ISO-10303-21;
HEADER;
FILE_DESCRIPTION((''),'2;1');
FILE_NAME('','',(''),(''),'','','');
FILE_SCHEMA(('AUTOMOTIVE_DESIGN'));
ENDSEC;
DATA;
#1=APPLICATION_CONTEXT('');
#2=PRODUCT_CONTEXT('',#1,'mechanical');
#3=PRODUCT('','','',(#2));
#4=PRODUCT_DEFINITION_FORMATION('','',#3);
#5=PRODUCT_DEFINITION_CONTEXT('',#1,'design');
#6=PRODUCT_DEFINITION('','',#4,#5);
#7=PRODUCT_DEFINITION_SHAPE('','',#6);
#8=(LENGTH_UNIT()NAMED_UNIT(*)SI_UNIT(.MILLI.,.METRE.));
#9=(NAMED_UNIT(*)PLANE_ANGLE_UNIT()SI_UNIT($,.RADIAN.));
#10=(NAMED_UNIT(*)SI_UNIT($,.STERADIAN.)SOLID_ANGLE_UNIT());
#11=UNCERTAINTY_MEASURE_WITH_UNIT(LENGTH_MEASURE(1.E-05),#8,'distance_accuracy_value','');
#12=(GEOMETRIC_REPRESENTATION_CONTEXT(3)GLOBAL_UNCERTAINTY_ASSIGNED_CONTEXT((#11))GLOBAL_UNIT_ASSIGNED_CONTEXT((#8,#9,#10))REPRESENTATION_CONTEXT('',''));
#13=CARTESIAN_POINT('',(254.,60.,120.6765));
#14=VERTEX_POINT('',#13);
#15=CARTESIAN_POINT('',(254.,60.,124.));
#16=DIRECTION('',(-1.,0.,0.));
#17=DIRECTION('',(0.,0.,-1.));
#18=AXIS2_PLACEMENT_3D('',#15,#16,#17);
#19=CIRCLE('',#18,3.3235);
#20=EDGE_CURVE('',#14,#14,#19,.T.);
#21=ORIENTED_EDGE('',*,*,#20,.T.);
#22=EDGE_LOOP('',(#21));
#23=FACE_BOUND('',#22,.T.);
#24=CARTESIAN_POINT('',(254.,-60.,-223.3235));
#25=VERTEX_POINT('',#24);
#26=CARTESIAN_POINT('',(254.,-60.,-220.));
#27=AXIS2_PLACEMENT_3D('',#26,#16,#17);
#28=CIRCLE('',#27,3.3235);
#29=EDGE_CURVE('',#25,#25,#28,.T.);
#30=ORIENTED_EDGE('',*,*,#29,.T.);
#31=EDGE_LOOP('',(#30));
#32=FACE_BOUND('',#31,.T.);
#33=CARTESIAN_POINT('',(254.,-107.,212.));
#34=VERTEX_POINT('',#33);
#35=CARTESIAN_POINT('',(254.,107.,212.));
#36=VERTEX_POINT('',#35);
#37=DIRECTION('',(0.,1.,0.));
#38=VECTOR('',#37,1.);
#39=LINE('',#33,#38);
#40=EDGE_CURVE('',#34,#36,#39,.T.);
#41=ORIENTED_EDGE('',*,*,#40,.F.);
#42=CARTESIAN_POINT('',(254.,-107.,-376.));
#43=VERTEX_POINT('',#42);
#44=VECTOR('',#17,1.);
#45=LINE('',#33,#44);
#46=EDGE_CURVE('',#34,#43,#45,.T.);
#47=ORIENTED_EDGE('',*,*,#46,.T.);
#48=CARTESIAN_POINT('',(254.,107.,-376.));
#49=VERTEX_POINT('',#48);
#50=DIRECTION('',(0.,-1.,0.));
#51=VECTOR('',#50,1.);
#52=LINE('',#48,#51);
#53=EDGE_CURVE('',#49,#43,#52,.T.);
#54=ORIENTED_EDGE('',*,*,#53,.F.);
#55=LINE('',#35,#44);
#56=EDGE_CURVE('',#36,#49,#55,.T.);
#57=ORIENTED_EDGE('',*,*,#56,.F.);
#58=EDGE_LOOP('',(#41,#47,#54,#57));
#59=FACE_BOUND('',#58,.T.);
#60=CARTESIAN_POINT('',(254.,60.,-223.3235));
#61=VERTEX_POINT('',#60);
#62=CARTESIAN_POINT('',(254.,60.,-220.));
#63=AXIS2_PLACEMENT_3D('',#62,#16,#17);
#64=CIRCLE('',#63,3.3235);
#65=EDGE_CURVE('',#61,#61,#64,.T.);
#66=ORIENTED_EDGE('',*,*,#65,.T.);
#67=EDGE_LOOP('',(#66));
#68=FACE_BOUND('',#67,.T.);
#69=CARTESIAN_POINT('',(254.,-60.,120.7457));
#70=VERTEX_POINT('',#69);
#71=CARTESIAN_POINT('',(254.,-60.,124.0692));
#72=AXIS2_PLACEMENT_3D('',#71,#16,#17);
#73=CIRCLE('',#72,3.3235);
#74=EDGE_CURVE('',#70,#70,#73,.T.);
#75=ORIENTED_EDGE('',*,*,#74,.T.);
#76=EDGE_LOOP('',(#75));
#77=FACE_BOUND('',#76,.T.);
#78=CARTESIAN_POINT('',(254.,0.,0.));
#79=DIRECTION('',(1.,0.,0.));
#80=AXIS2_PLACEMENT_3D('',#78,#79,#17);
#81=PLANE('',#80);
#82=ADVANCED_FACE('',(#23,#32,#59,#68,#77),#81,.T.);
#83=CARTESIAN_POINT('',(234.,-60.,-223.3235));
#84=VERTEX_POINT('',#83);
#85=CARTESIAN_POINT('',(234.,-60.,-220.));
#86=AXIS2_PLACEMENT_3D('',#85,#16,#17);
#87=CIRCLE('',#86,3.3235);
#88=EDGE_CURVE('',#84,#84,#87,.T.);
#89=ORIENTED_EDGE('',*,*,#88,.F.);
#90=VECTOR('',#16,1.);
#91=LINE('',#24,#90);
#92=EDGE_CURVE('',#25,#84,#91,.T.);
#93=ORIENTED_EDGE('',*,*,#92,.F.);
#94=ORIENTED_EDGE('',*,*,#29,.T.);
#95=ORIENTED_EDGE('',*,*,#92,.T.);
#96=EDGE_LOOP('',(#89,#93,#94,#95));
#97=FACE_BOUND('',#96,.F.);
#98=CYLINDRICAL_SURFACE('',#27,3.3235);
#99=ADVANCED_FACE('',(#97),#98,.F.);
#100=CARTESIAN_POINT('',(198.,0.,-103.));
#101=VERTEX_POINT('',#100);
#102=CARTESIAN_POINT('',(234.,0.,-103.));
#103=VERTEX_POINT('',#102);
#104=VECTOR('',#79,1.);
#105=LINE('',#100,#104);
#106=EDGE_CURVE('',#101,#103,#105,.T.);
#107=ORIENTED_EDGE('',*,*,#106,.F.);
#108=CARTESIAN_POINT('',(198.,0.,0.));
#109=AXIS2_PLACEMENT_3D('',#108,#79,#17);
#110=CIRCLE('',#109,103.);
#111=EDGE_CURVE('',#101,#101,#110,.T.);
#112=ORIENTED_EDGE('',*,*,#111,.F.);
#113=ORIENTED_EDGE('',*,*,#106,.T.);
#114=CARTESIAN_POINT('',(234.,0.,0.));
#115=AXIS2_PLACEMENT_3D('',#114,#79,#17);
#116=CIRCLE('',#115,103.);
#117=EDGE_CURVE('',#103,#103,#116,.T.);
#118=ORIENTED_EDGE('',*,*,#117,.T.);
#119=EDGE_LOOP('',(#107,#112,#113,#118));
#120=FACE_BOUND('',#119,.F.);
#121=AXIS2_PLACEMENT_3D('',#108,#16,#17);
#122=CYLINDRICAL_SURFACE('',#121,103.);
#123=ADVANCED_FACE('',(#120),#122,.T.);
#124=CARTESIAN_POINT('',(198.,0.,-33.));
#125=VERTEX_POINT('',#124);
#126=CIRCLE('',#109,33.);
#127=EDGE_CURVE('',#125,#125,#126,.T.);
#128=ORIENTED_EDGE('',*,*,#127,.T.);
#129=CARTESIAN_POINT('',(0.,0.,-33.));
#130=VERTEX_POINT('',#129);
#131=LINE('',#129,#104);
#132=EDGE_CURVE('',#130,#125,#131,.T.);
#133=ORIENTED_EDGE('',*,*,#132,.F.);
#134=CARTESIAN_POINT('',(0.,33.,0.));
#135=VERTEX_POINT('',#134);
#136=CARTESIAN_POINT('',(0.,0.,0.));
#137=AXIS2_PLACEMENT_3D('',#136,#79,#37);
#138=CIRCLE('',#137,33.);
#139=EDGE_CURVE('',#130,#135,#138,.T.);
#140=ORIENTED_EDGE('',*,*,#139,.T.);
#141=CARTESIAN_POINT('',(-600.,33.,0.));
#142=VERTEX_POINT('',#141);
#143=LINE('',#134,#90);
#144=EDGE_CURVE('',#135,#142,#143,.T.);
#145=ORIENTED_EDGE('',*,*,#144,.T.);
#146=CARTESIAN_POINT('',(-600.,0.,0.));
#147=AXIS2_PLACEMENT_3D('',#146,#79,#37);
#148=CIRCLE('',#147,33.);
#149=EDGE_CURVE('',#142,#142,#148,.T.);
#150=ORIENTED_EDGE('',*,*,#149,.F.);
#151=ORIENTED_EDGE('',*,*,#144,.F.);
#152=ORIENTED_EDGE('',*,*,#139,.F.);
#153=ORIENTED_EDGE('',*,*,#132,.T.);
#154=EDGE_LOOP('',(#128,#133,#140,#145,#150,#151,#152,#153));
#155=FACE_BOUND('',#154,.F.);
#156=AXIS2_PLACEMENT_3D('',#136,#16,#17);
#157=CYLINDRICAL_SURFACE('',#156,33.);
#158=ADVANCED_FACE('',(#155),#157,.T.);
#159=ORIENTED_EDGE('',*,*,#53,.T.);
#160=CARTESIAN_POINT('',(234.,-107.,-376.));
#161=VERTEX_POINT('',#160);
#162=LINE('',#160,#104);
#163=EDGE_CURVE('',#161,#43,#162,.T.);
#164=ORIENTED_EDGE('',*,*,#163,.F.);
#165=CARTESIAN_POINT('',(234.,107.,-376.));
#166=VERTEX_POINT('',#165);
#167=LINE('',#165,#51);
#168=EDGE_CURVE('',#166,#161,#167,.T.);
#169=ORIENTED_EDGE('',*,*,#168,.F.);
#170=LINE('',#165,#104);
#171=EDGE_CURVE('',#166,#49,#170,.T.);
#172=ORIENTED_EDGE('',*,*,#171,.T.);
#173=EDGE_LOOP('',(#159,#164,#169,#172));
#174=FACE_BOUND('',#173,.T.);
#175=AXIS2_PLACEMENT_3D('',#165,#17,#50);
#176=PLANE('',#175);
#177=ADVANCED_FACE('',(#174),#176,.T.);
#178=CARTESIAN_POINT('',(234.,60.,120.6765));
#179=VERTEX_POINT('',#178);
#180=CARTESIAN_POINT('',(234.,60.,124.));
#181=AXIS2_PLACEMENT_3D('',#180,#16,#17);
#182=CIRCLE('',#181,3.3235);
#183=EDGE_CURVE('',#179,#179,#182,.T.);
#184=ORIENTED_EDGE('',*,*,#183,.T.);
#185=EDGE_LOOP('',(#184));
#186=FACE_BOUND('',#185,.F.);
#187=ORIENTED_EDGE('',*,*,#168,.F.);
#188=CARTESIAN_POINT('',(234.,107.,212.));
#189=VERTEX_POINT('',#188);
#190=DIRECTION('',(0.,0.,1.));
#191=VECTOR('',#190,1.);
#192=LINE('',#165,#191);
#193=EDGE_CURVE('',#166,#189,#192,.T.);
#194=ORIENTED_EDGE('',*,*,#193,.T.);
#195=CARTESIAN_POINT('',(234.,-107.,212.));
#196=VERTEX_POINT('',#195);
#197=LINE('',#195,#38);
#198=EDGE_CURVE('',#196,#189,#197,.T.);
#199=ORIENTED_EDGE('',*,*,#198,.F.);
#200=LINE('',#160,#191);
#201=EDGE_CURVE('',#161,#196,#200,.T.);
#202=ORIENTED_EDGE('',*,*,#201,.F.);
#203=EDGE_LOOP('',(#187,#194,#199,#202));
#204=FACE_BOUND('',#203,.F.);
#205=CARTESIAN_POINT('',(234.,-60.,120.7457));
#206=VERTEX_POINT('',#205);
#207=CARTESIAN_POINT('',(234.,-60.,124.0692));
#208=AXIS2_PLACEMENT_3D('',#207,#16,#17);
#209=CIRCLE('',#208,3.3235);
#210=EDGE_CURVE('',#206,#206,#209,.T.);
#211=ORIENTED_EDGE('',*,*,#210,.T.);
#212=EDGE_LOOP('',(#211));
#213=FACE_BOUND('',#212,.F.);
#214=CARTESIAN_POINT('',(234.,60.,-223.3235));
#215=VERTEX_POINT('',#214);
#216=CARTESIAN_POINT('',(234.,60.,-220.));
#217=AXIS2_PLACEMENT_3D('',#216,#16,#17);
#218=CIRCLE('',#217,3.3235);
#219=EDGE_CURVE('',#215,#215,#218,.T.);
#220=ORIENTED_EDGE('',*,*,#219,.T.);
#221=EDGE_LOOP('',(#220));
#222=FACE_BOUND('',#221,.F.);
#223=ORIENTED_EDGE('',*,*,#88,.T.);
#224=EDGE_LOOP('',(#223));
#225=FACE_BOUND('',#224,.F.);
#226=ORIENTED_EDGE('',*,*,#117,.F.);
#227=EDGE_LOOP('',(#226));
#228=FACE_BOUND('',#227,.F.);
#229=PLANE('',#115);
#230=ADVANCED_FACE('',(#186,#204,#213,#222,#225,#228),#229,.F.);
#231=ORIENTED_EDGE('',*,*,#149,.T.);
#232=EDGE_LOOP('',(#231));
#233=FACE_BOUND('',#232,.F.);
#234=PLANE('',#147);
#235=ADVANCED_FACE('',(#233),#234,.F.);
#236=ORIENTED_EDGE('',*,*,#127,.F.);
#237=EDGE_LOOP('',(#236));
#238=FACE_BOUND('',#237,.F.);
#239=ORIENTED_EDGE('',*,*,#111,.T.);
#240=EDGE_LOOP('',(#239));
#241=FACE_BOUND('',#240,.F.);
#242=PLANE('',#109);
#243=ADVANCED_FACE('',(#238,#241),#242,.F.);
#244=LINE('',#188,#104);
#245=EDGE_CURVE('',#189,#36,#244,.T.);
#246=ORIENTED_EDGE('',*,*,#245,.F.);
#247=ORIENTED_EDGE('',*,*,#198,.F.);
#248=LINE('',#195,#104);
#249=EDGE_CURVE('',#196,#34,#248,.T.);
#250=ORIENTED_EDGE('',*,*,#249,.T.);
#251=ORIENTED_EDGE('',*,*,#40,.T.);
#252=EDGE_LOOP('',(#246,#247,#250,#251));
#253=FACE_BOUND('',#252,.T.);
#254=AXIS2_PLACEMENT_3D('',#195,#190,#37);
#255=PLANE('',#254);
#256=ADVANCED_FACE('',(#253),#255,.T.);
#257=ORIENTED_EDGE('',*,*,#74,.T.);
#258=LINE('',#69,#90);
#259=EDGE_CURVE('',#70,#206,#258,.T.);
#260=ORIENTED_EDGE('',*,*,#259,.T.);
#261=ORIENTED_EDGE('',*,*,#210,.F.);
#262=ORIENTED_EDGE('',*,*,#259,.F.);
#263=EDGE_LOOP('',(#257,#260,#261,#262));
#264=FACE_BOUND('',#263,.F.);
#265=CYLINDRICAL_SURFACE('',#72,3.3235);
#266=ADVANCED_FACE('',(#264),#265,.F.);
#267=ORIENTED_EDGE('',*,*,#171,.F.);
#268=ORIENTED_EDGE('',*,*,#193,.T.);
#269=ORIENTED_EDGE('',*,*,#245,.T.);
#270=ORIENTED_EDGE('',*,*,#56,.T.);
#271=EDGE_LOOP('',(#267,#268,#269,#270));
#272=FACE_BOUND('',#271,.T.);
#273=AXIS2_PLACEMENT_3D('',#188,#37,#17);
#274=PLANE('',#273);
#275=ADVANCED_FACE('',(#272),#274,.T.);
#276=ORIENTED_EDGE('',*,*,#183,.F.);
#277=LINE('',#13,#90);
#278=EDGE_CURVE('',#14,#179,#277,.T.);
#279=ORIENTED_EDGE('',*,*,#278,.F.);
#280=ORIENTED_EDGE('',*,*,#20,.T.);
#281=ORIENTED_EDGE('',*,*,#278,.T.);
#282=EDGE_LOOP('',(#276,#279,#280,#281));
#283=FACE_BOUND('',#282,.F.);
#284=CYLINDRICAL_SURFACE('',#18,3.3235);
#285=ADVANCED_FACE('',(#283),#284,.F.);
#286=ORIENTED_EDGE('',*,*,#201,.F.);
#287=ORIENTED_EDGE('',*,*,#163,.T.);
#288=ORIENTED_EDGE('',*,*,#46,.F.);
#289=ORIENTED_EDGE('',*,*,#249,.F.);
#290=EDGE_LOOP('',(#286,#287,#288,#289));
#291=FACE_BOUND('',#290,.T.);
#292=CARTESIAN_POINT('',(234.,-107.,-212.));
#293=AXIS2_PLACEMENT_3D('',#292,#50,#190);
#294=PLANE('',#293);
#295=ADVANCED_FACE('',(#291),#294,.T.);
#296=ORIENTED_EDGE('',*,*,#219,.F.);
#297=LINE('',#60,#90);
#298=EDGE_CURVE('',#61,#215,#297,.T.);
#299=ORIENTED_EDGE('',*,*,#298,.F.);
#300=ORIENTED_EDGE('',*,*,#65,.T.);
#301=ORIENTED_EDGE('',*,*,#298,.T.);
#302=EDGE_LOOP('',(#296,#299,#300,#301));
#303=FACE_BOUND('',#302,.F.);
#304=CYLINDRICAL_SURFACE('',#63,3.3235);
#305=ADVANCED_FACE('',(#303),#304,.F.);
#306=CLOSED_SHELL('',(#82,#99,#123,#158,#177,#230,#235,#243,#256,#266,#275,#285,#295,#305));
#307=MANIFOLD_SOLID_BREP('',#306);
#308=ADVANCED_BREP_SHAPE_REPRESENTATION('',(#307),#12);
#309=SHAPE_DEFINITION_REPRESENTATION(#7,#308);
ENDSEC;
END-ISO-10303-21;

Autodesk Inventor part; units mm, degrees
ref_plane "YZ Plane" through (0, 0, 0) normal (1, 0, 0) x (0, 1, 0)
ref_plane "XZ Plane" through (0, 0, 0) normal (0, 1, 0) x (-1, 0, 0)
ref_plane "XY Plane" through (0, 0, 0) normal (0, 0, 1) x (1, 0, 0)
sketch "Sketch1" plane through (0, 0, 0) normal (1, 0, 0) x (0, 1, 0)
  circle A0 centre (0, 0) radius 33
extrude "Extrusion1" add sketch "Sketch1" against normal blind 600
sketch "Sketch2" plane through (0, 0, 0) normal (1, 0, 0) x (0, 0, -1)
  circle A0 centre (0, 0) radius 33
extrude "Extrusion2" add sketch "Sketch2" along normal blind 198
sketch "Sketch3" plane through (198, 0, 0) normal (1, 0, 0) x (0, 0, -1)
  circle A0 centre (0, 0) radius 103
extrude "Extrusion3" add sketch "Sketch3" along normal blind 36
sketch "Sketch4" plane through (234, 0, 0) normal (1, 0, 0) x (0, 0, -1)
  line L0 (-212, 107) -> (212, 107)
  line L1 (212, -107) -> (-212, -107)
  line L2 (-212, -107) -> (-212, 107)
  line L3 (-212, 107) -> (212, -107) construction
  line L4 (212, 107) -> (-212, -107) construction
  line L5 (212, 107) -> (376, 107)
  line L6 (376, 107) -> (376, -107)
  line L7 (376, -107) -> (212, -107)
  point P0 (0, 0)
  point P1 (0, 0)
extrude "Extrusion4" add sketch "Sketch4" along normal blind 20
sketch "Sketch5" plane through (254, 0, 0) normal (1, 0, 0) x (0, 0, -1)
  point P0 (0, 0)
  point P1 (-124.0692, -60)
  point P2 (-124, 60)
  point P3 (220, 60)
  point P4 (220, -60)
hole "Hole1" at (254, -60, 124.0692) at (254, 60, 124) at (254, 60, -220) at (254, -60, -220) direction (-1, 0, 0) diameter 6.647 depth 20 thread size "M8x1.25" class "6H" standard "ISO Metric profile"
properties part number "DecAxis"
